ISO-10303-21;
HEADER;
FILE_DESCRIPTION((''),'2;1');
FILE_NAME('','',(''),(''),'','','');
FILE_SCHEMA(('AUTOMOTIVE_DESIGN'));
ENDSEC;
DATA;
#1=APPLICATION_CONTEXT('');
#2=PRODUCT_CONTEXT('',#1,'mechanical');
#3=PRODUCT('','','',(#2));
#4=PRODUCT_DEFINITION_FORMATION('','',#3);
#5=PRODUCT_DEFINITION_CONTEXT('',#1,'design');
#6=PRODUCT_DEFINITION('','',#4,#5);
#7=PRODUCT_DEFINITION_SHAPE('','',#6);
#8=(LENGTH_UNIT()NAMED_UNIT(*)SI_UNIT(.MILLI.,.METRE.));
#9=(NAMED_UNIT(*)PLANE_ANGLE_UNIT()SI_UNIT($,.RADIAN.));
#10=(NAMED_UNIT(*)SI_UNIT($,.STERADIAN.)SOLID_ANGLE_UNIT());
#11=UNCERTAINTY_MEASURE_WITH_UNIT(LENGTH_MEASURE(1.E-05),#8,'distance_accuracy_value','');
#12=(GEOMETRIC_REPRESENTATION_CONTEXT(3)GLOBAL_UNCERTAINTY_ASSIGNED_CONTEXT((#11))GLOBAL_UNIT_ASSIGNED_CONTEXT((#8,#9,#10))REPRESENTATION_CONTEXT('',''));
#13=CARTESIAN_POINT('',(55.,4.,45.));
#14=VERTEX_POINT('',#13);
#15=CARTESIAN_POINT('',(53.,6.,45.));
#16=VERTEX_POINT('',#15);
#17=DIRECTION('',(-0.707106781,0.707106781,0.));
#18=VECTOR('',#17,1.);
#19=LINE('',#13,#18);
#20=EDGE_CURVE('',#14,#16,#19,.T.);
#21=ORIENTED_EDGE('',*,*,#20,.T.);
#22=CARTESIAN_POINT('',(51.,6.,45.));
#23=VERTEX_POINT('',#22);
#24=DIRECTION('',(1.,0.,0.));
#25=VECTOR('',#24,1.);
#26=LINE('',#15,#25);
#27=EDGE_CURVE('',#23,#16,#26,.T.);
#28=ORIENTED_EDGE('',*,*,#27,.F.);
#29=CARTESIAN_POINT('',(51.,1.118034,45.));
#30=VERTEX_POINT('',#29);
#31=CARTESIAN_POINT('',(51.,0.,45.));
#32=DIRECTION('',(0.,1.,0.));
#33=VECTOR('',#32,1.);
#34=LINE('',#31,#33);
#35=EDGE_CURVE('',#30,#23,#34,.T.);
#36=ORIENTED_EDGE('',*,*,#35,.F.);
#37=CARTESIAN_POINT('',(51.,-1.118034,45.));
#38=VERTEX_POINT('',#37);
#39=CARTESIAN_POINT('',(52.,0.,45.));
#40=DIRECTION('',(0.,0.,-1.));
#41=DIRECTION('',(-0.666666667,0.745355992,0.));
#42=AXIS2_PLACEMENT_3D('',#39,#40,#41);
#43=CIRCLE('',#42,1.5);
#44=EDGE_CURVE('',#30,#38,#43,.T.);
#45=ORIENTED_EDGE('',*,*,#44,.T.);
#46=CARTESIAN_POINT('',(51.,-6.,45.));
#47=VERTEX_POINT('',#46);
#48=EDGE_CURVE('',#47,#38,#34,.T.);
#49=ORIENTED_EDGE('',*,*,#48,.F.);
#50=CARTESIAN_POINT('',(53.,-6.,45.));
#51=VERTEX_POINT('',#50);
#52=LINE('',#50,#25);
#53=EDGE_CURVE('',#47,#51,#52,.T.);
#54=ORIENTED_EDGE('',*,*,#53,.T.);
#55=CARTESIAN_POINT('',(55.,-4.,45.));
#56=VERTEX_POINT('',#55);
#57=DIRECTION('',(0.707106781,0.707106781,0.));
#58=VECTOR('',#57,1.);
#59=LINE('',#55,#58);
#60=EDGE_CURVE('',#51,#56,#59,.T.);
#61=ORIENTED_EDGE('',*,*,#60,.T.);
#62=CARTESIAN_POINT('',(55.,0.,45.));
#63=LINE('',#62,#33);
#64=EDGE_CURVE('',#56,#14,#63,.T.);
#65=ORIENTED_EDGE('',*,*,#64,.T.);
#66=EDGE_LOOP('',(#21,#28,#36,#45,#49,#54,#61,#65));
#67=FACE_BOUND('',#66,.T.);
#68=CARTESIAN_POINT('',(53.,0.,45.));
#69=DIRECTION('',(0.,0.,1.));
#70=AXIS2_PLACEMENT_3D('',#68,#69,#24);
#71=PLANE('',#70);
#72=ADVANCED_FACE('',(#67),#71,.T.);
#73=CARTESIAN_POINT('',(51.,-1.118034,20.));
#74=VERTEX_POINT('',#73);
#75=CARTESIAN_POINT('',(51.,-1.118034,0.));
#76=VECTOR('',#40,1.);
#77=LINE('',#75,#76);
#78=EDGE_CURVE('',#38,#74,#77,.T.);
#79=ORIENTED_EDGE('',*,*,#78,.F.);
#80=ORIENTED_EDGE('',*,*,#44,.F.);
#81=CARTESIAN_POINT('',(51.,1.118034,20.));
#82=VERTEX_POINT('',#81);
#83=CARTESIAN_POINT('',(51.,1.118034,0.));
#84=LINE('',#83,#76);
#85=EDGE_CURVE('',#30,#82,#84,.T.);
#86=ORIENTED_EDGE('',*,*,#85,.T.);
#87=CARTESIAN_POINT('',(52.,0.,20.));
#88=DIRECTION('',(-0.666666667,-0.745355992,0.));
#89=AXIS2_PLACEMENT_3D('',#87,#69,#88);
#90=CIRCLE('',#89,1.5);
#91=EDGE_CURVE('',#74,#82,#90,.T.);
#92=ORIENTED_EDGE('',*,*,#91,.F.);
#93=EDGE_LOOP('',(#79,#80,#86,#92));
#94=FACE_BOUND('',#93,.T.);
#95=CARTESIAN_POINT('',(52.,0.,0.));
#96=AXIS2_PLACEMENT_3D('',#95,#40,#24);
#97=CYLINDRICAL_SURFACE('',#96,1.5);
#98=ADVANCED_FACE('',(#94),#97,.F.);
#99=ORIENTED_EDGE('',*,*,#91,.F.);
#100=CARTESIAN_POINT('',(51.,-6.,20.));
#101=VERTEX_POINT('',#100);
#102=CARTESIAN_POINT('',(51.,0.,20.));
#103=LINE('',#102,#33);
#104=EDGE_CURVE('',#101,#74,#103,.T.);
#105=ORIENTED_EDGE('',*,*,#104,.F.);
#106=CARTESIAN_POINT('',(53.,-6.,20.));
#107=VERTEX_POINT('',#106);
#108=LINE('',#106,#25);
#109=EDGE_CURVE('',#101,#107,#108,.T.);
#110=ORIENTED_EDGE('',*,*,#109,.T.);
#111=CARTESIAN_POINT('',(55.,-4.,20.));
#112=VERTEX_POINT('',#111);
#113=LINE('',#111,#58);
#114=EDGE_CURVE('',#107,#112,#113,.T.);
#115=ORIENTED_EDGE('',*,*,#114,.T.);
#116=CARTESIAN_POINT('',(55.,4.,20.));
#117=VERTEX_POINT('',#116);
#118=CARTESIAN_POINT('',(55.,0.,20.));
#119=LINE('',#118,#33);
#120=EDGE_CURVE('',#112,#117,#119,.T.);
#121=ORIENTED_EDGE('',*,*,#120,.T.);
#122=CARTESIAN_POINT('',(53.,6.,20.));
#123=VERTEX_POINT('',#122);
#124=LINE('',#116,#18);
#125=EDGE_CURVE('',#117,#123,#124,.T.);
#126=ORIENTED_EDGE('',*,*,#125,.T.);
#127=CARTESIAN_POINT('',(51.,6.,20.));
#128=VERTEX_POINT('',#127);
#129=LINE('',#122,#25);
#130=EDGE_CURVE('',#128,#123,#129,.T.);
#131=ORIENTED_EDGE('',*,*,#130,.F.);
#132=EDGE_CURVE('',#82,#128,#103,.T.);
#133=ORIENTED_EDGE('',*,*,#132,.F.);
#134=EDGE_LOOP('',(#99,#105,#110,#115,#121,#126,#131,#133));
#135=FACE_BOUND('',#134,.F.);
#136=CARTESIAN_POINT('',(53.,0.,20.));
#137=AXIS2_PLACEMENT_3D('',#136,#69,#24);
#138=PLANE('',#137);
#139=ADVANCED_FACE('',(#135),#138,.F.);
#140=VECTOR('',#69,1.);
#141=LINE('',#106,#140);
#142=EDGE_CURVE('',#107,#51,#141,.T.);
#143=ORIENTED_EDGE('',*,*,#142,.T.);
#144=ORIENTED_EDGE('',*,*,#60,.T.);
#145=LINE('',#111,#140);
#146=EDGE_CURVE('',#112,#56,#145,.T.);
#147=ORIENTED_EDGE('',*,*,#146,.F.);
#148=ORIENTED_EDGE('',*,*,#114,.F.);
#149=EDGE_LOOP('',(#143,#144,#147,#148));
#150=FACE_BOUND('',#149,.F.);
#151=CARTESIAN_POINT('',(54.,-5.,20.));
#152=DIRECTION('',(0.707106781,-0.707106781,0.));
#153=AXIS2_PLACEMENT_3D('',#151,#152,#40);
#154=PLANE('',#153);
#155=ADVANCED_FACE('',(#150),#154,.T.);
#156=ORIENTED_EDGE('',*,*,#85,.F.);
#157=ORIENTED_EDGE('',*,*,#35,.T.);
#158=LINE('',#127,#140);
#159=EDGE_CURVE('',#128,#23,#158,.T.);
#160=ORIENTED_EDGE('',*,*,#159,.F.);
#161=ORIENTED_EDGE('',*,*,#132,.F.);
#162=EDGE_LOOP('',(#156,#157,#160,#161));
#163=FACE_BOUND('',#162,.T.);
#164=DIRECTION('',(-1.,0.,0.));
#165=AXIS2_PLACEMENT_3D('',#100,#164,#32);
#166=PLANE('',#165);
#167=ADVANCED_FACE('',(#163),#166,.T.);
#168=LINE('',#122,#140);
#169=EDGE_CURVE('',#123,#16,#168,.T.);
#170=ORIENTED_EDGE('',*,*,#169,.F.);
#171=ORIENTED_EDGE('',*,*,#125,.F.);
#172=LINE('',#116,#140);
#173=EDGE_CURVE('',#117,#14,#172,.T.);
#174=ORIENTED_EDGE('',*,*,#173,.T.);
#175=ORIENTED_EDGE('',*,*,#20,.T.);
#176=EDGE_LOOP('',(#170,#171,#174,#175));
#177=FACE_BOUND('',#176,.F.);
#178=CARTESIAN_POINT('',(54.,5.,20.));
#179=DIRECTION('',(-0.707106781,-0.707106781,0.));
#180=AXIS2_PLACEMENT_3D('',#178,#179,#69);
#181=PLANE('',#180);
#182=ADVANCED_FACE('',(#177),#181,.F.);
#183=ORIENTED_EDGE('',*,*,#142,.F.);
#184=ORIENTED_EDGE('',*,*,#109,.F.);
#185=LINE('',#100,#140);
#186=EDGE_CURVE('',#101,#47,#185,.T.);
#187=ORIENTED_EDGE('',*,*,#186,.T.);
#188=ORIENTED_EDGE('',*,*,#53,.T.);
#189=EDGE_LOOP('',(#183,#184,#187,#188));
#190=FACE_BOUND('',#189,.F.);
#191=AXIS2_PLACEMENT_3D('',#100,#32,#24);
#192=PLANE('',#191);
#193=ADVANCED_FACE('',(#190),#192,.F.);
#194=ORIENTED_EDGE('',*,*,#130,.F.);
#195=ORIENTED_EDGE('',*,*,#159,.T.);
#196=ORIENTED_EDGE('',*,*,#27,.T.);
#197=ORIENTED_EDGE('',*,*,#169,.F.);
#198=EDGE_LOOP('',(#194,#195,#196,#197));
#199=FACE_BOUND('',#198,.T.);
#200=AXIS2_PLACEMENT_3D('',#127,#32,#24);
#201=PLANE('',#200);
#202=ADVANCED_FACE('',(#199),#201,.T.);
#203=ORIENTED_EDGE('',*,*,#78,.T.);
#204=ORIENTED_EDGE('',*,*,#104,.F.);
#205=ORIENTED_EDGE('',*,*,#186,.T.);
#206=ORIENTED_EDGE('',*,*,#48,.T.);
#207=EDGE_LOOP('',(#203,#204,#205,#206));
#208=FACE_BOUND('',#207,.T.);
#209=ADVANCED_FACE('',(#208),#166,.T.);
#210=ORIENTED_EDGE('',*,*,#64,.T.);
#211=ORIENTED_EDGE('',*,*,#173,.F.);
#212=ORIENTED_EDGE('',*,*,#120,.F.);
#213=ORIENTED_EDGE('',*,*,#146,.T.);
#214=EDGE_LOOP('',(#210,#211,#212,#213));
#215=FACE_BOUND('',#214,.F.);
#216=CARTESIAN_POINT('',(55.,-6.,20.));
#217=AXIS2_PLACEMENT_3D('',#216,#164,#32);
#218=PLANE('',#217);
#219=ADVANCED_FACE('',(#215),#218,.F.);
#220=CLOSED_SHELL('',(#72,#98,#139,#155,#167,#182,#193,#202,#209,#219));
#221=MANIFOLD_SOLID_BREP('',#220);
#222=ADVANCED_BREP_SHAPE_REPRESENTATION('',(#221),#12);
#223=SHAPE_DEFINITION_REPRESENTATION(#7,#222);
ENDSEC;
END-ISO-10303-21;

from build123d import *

# Parameters (mm, degrees)
CYLINDER1144_R     = 1.5
CYLINDER1144_DEPTH = 50
BOX457_W           = 4
BOX457_H           = 12
BOX457_DEPTH       = 25
CHAMFER_SIZE       = 2


with BuildPart() as v_lec1144:
    # Cylinder1144 → Cylinder1144 (new body)
    with BuildSketch(Plane(origin=(52, 0, 0), x_dir=(1, 0, 0), z_dir=(0, 0, 1))):
        Circle(CYLINDER1144_R)
    extrude(amount=CYLINDER1144_DEPTH)


with BuildPart() as cut428:
    # Box457 → Box457 (new body)
    with BuildSketch(Plane(origin=(51, -6, 20), x_dir=(1, 0, 0), z_dir=(0, 0, 1))):
        with Locations((2, 6)):
            Rectangle(BOX457_W, BOX457_H)
    extrude(amount=BOX457_DEPTH)

    # Chamfer
    chamfer_edges = [cut428.edges().sort_by_distance(p)[0] for p in [
        (55, -6, 32.5),
        (55, 6, 32.5),
    ]]
    chamfer(chamfer_edges, length=CHAMFER_SIZE)

    # Cut428: cut Válec1144
    add(v_lec1144.part, mode=Mode.SUBTRACT)


solid = cut428.part
